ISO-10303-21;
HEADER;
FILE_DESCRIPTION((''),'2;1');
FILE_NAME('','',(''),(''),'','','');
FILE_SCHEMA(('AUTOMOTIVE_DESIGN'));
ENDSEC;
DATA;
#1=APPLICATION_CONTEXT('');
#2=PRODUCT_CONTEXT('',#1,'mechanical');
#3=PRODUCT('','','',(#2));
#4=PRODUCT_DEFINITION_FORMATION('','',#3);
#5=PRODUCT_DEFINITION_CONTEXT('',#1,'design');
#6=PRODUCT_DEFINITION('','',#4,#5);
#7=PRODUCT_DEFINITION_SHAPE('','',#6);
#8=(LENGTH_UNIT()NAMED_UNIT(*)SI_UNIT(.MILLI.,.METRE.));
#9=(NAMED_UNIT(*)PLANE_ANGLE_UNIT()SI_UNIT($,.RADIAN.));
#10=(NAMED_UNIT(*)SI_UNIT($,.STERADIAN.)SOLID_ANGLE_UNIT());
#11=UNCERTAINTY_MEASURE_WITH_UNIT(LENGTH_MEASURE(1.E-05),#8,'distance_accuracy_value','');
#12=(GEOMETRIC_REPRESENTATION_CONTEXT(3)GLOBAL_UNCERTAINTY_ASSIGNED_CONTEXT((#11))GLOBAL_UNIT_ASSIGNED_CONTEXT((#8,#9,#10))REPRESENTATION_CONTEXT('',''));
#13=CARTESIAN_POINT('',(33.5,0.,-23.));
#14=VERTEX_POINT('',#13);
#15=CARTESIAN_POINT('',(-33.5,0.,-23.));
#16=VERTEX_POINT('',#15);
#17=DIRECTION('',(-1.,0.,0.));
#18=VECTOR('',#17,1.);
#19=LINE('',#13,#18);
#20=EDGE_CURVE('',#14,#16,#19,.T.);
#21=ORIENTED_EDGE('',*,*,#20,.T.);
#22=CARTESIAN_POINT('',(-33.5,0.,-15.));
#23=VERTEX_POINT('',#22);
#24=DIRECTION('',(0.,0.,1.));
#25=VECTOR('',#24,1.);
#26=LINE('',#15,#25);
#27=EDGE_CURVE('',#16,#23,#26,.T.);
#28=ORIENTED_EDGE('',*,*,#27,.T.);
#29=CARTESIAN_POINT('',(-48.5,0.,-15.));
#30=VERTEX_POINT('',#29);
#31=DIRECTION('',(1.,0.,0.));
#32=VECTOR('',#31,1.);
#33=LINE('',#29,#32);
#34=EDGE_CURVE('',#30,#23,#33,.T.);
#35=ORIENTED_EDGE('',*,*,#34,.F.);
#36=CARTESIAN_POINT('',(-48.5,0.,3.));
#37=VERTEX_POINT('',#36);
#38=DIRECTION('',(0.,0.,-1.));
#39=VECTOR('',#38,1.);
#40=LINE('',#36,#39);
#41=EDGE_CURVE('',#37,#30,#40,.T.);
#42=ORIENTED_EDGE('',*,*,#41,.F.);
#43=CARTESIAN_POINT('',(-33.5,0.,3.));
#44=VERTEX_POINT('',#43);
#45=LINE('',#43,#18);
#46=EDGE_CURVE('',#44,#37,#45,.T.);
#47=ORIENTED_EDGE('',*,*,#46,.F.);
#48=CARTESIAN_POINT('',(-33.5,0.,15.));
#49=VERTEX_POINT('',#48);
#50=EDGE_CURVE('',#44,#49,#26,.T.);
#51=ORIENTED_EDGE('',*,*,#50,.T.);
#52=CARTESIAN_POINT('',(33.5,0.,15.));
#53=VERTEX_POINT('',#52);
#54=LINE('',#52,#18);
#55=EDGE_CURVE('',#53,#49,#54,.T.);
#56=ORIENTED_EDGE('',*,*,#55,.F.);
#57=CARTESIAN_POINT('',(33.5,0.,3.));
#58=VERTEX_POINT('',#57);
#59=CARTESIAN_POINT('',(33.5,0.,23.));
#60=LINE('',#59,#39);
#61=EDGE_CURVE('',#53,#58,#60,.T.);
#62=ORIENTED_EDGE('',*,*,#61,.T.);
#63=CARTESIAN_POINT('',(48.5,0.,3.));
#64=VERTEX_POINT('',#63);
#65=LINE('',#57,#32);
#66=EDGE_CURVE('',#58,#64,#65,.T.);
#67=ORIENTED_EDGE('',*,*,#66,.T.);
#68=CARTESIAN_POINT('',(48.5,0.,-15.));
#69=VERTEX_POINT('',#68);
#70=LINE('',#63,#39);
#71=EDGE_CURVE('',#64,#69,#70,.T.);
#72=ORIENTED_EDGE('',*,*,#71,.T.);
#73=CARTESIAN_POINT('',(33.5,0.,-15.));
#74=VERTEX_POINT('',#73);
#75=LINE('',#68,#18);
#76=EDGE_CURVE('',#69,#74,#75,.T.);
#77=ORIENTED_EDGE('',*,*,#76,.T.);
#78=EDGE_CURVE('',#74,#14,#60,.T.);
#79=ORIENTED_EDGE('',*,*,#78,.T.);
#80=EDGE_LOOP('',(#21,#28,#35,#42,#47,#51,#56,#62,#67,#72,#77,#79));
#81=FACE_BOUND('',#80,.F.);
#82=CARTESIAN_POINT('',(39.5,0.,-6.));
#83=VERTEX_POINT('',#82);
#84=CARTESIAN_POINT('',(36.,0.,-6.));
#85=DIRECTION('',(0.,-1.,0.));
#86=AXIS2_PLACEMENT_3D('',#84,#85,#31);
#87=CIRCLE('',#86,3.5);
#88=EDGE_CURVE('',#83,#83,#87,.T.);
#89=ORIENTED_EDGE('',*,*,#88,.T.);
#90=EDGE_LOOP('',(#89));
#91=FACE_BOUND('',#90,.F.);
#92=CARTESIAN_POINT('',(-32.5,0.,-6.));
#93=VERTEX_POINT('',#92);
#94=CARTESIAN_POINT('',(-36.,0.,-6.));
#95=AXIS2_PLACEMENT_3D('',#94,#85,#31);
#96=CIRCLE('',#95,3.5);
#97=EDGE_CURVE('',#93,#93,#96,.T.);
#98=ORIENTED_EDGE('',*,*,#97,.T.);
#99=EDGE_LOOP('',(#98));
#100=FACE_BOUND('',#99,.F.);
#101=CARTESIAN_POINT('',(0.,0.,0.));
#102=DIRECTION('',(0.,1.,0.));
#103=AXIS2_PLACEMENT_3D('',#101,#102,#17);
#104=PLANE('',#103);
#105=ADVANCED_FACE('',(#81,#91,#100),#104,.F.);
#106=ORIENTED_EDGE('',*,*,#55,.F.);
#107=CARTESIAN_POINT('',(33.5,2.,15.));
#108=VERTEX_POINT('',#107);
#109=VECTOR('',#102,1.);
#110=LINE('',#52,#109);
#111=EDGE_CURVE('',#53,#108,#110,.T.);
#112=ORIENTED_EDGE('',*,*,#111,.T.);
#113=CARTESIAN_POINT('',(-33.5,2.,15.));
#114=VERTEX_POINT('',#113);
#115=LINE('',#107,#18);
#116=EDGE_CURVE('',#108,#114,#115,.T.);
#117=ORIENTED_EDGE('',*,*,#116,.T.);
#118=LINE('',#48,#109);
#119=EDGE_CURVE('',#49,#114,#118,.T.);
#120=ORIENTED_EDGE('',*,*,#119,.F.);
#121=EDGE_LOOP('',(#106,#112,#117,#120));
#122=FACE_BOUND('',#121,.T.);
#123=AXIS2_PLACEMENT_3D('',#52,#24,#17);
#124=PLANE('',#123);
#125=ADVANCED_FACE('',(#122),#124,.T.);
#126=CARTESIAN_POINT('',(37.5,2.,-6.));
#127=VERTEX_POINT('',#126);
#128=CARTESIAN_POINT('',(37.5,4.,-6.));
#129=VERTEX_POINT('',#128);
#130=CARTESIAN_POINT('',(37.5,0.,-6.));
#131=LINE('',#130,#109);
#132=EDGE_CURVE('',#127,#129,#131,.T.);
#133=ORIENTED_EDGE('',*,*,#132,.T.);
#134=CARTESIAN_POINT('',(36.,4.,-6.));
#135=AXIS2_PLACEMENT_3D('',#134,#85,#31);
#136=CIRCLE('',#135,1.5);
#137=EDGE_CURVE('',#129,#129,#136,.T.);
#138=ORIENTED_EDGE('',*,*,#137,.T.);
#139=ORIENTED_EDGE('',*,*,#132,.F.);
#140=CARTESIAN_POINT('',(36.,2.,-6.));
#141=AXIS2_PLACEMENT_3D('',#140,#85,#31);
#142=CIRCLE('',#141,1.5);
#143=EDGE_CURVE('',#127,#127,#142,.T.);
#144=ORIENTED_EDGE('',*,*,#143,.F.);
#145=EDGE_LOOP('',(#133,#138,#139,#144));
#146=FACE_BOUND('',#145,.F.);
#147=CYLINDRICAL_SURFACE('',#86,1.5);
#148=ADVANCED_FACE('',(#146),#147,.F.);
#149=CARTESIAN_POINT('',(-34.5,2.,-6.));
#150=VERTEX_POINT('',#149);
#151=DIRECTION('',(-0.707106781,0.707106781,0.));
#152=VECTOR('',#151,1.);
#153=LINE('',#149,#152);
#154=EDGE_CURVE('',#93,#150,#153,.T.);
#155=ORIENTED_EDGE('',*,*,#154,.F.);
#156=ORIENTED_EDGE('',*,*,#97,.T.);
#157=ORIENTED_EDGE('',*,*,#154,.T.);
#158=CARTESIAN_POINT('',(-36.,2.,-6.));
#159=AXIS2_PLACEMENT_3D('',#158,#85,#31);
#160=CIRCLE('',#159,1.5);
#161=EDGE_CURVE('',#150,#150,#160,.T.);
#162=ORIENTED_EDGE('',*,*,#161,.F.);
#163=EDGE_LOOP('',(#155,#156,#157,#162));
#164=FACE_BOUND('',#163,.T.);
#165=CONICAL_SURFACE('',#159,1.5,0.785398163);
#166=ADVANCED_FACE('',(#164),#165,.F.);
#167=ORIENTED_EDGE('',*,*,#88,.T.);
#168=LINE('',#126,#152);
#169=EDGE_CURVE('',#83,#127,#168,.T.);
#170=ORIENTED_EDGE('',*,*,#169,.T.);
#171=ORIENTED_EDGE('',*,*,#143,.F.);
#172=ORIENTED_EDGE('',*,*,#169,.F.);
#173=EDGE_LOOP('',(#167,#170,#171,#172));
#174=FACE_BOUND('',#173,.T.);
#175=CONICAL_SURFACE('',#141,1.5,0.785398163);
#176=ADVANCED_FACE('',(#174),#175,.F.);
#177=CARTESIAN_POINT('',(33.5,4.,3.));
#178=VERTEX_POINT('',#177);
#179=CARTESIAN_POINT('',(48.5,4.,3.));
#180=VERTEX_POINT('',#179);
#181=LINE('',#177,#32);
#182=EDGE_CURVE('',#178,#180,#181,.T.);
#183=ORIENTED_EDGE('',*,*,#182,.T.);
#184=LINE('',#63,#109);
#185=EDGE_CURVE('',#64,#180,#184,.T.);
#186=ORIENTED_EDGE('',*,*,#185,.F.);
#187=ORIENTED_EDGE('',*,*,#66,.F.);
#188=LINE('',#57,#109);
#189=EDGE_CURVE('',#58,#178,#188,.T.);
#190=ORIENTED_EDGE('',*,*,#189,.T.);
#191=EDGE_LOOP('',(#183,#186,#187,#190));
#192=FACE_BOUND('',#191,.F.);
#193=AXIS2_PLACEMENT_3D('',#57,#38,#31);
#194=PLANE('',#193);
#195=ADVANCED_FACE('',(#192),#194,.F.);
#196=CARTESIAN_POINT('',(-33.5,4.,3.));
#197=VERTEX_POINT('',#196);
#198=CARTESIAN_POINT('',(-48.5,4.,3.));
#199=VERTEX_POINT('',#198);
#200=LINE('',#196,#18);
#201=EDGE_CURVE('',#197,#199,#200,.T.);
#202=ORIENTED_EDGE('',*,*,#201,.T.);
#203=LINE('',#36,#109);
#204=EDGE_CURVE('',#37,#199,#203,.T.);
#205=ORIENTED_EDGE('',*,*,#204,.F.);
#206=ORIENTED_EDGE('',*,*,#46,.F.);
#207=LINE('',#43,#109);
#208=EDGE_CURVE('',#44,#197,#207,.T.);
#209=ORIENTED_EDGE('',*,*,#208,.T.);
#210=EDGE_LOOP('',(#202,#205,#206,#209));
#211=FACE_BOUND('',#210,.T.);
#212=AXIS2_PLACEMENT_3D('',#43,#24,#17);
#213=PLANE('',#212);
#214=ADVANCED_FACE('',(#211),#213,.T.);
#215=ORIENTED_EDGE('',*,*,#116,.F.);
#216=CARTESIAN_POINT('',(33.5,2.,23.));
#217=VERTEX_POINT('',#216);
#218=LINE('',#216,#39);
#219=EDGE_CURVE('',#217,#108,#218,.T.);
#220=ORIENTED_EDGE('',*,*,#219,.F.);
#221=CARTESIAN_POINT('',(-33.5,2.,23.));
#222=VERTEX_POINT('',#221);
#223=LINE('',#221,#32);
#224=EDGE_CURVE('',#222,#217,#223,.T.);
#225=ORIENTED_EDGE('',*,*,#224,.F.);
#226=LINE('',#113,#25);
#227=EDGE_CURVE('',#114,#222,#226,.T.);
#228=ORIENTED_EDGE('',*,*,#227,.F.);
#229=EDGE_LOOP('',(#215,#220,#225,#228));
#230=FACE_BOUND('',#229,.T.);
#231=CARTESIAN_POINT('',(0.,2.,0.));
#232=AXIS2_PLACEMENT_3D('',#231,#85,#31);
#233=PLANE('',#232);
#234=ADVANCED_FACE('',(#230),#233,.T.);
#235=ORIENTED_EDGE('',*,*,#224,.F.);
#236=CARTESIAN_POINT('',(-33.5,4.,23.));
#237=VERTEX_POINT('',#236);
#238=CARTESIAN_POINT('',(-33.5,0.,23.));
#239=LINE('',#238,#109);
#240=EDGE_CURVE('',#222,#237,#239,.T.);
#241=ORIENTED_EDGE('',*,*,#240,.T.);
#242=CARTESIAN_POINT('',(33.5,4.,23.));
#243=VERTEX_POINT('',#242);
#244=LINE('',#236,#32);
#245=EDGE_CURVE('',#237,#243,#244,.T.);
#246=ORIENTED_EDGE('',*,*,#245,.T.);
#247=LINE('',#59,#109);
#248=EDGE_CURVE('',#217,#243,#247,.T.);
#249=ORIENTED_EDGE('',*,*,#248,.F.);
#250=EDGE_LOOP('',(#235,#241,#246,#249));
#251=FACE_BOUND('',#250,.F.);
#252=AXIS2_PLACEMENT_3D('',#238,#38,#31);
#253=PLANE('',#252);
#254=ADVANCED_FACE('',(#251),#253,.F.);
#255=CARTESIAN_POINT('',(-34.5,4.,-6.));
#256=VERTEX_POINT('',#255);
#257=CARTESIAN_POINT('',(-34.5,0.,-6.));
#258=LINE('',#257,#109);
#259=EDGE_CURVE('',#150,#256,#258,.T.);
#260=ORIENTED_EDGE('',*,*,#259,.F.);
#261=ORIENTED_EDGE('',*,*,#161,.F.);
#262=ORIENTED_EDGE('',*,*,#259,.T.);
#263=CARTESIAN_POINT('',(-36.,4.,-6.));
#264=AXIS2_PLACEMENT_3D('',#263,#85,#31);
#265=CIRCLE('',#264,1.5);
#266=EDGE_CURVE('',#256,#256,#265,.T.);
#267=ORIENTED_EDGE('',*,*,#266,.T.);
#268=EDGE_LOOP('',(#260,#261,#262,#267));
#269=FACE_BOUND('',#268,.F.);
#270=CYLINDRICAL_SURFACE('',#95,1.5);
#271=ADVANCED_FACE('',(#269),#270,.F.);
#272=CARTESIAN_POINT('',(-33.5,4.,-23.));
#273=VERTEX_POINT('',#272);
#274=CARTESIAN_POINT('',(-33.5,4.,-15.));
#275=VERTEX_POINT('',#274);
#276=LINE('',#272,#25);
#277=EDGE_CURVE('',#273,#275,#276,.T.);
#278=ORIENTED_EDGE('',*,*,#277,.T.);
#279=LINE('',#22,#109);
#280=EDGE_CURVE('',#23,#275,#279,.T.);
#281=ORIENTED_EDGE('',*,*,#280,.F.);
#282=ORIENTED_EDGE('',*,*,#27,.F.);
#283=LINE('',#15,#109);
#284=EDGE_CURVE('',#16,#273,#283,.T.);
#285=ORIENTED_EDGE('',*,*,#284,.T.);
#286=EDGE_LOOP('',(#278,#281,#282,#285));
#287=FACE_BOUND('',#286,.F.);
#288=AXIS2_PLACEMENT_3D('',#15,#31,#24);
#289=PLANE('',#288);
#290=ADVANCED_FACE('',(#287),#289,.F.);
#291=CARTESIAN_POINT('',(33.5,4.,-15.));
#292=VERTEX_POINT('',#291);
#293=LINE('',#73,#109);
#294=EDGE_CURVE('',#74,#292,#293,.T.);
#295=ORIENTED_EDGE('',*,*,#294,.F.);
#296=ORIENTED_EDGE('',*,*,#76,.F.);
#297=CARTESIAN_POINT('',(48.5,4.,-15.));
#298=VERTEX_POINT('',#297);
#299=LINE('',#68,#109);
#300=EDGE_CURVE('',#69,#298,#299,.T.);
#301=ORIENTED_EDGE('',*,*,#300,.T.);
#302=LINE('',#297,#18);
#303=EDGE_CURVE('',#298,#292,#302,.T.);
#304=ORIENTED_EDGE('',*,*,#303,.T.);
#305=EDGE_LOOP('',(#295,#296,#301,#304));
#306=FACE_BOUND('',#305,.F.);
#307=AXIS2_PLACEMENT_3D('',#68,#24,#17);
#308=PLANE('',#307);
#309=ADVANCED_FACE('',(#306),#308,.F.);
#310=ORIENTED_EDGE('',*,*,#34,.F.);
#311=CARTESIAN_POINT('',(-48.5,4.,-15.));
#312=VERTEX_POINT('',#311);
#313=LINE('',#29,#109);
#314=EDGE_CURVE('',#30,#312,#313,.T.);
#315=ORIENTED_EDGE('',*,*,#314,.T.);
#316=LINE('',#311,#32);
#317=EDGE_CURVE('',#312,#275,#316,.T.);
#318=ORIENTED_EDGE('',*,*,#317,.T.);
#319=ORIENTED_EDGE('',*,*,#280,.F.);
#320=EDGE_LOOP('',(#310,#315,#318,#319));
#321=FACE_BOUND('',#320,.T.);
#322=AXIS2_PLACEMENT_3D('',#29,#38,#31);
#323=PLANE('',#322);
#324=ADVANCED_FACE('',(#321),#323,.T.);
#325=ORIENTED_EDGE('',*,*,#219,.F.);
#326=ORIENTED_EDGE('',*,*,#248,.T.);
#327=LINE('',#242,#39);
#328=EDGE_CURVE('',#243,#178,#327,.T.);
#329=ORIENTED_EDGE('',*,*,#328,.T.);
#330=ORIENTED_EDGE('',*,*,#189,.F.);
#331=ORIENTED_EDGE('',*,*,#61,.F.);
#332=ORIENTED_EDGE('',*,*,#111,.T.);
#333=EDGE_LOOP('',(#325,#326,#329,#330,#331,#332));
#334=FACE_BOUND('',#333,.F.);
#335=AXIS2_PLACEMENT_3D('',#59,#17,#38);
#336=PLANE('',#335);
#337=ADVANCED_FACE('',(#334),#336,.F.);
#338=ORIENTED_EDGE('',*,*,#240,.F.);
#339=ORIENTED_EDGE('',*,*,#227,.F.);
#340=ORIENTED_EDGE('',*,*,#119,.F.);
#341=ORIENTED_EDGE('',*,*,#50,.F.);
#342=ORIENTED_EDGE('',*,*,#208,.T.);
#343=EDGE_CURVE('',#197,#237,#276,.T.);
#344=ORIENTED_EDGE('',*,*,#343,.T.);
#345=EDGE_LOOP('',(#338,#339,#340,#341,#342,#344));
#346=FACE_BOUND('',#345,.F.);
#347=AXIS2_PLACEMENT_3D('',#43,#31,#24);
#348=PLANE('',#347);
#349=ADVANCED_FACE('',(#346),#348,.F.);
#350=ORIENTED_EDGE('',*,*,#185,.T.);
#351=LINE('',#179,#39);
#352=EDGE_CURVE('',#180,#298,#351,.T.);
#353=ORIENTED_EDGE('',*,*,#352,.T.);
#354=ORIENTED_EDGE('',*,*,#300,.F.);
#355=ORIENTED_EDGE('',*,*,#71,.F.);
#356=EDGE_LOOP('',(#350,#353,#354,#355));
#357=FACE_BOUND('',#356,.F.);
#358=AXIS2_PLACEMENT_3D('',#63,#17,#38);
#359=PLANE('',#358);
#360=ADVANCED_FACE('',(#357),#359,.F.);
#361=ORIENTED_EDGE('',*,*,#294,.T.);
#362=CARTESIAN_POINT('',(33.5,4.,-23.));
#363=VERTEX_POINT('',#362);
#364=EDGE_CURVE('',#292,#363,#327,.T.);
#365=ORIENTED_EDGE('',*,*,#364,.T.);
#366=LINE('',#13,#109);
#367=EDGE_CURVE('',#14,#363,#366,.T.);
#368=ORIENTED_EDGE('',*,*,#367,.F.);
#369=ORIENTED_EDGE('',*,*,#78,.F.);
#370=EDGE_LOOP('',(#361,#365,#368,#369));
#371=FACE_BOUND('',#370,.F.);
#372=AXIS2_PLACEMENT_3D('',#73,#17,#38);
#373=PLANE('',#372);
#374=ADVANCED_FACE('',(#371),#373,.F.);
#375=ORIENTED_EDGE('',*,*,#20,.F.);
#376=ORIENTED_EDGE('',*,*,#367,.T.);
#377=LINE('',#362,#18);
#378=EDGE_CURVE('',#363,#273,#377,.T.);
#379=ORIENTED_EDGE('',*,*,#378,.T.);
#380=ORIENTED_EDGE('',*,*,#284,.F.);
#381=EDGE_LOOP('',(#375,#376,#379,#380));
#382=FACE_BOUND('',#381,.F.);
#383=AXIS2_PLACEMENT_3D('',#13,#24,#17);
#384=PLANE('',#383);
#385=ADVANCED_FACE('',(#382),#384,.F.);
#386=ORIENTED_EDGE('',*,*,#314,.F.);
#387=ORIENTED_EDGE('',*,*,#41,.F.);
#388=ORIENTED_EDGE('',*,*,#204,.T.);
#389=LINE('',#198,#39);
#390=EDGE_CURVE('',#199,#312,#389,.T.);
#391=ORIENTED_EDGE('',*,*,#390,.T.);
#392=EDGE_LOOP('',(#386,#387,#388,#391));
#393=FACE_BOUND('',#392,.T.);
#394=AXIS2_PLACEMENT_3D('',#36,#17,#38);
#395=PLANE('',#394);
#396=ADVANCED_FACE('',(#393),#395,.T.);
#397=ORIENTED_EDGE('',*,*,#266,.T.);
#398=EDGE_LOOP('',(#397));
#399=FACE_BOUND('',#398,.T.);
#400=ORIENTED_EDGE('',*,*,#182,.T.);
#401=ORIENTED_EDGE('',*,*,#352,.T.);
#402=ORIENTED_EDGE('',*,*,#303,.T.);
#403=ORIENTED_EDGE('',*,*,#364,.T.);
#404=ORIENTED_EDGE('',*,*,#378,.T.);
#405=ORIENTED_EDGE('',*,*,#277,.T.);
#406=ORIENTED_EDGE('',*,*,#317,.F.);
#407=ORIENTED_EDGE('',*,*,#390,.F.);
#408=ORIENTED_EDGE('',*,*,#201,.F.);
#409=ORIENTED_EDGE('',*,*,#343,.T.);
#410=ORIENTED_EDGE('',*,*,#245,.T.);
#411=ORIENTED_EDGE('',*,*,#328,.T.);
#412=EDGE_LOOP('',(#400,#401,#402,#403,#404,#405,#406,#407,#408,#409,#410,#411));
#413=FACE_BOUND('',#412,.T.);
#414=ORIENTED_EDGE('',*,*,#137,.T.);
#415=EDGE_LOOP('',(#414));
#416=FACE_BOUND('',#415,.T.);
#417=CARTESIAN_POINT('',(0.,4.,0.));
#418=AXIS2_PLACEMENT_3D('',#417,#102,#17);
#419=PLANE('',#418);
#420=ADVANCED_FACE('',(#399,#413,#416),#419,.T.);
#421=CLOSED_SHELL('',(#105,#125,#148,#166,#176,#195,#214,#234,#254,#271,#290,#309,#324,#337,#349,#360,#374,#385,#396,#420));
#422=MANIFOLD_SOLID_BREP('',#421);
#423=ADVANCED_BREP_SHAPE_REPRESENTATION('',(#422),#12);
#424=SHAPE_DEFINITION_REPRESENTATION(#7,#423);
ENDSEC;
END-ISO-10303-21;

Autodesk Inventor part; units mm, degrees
ref_plane "YZ Plane" through (0, 0, 0) normal (1, 0, 0) x (0, 1, 0)
ref_plane "XZ Plane" through (0, 0, 0) normal (0, 1, 0) x (-1, 0, 0)
ref_plane "XY Plane" through (0, 0, 0) normal (0, 0, 1) x (1, 0, 0)
sketch "Sketch1" plane through (0, 0, 0) normal (0, 1, 0) x (-1, 0, 0)
  line L0 (-33.5, -23) -> (33.5, -23)
  line L1 (33.5, -23) -> (33.5, 23)
  line L2 (33.5, 23) -> (-33.5, 23)
  line L3 (-33.5, 23) -> (-33.5, -23)
  line L4 (-33.5, -23) -> (33.5, 23) construction
  line L5 (33.5, -23) -> (-33.5, 23) construction
  line L6 (33.5, 3) -> (48.5, 3)
  line L7 (48.5, 3) -> (48.5, -15)
  line L8 (48.5, -15) -> (33.5, -15)
  line L9 (33.5, -15) -> (33.5, 3)
  line L10 (-33.5, 3) -> (-48.5, 3)
  line L11 (-48.5, 3) -> (-48.5, -15)
  line L12 (-48.5, -15) -> (-33.5, -15)
  line L13 (-33.5, -15) -> (-33.5, 3)
  point P0 (0, 0)
  point P1 (-33.5, 3)
  dimension "d0" = 67
  dimension "d1" = 46
  dimension "d2" = 97
  dimension "d5" = 8
  dimension "d6" = 18
extrude "Extrusion1" add sketch "Sketch1" along normal blind 4
sketch "Sketch2" plane through (0, 0, 0) normal (0, -1, 0) x (1, 0, 0)
  line L0 (-33.5, 23) -> (33.5, 23) projected
  line L1 (33.5, 23) -> (33.5, 3) projected
  line L2 (-33.5, 23) -> (33.5, 23)
  line L3 (33.5, 23) -> (33.5, 15)
  line L4 (33.5, 15) -> (-33.5, 15)
  line L5 (-33.5, 15) -> (-33.5, 23)
  point P0 (0, 0)
  dimension "d7" = 8
extrude "Extrusion2" cut sketch "Sketch2" against normal blind 2
sketch "Sketch3" plane through (0, 0, 0) normal (0, -1, 0) x (1, 0, 0)
  circle A0 centre (-36, -6) radius 1.5
  circle A1 centre (36, -6) radius 1.5
  line L0 (48.5, -15) -> (33.5, -15) projected
  line L1 (48.5, 3) -> (48.5, -15) projected
  line L2 (-48.5, -15) -> (-48.5, 3) projected
  line L3 (-33.5, -15) -> (-48.5, -15) projected
  point P0 (0, 0)
  dimension "d10" = 9
  dimension "d11" = 12.5
  dimension "d12" = 12.5
  dimension "d13" = 9
  dimension "d14" = 3
extrude "Extrusion3" cut sketch "Sketch3" against normal through all
chamfer "Chamfer1" distance 2 angle 45 2 edges at (34.5, 0, -6) (-37.5, 0, -6)
properties part number "WeightBack" material "Lead"
